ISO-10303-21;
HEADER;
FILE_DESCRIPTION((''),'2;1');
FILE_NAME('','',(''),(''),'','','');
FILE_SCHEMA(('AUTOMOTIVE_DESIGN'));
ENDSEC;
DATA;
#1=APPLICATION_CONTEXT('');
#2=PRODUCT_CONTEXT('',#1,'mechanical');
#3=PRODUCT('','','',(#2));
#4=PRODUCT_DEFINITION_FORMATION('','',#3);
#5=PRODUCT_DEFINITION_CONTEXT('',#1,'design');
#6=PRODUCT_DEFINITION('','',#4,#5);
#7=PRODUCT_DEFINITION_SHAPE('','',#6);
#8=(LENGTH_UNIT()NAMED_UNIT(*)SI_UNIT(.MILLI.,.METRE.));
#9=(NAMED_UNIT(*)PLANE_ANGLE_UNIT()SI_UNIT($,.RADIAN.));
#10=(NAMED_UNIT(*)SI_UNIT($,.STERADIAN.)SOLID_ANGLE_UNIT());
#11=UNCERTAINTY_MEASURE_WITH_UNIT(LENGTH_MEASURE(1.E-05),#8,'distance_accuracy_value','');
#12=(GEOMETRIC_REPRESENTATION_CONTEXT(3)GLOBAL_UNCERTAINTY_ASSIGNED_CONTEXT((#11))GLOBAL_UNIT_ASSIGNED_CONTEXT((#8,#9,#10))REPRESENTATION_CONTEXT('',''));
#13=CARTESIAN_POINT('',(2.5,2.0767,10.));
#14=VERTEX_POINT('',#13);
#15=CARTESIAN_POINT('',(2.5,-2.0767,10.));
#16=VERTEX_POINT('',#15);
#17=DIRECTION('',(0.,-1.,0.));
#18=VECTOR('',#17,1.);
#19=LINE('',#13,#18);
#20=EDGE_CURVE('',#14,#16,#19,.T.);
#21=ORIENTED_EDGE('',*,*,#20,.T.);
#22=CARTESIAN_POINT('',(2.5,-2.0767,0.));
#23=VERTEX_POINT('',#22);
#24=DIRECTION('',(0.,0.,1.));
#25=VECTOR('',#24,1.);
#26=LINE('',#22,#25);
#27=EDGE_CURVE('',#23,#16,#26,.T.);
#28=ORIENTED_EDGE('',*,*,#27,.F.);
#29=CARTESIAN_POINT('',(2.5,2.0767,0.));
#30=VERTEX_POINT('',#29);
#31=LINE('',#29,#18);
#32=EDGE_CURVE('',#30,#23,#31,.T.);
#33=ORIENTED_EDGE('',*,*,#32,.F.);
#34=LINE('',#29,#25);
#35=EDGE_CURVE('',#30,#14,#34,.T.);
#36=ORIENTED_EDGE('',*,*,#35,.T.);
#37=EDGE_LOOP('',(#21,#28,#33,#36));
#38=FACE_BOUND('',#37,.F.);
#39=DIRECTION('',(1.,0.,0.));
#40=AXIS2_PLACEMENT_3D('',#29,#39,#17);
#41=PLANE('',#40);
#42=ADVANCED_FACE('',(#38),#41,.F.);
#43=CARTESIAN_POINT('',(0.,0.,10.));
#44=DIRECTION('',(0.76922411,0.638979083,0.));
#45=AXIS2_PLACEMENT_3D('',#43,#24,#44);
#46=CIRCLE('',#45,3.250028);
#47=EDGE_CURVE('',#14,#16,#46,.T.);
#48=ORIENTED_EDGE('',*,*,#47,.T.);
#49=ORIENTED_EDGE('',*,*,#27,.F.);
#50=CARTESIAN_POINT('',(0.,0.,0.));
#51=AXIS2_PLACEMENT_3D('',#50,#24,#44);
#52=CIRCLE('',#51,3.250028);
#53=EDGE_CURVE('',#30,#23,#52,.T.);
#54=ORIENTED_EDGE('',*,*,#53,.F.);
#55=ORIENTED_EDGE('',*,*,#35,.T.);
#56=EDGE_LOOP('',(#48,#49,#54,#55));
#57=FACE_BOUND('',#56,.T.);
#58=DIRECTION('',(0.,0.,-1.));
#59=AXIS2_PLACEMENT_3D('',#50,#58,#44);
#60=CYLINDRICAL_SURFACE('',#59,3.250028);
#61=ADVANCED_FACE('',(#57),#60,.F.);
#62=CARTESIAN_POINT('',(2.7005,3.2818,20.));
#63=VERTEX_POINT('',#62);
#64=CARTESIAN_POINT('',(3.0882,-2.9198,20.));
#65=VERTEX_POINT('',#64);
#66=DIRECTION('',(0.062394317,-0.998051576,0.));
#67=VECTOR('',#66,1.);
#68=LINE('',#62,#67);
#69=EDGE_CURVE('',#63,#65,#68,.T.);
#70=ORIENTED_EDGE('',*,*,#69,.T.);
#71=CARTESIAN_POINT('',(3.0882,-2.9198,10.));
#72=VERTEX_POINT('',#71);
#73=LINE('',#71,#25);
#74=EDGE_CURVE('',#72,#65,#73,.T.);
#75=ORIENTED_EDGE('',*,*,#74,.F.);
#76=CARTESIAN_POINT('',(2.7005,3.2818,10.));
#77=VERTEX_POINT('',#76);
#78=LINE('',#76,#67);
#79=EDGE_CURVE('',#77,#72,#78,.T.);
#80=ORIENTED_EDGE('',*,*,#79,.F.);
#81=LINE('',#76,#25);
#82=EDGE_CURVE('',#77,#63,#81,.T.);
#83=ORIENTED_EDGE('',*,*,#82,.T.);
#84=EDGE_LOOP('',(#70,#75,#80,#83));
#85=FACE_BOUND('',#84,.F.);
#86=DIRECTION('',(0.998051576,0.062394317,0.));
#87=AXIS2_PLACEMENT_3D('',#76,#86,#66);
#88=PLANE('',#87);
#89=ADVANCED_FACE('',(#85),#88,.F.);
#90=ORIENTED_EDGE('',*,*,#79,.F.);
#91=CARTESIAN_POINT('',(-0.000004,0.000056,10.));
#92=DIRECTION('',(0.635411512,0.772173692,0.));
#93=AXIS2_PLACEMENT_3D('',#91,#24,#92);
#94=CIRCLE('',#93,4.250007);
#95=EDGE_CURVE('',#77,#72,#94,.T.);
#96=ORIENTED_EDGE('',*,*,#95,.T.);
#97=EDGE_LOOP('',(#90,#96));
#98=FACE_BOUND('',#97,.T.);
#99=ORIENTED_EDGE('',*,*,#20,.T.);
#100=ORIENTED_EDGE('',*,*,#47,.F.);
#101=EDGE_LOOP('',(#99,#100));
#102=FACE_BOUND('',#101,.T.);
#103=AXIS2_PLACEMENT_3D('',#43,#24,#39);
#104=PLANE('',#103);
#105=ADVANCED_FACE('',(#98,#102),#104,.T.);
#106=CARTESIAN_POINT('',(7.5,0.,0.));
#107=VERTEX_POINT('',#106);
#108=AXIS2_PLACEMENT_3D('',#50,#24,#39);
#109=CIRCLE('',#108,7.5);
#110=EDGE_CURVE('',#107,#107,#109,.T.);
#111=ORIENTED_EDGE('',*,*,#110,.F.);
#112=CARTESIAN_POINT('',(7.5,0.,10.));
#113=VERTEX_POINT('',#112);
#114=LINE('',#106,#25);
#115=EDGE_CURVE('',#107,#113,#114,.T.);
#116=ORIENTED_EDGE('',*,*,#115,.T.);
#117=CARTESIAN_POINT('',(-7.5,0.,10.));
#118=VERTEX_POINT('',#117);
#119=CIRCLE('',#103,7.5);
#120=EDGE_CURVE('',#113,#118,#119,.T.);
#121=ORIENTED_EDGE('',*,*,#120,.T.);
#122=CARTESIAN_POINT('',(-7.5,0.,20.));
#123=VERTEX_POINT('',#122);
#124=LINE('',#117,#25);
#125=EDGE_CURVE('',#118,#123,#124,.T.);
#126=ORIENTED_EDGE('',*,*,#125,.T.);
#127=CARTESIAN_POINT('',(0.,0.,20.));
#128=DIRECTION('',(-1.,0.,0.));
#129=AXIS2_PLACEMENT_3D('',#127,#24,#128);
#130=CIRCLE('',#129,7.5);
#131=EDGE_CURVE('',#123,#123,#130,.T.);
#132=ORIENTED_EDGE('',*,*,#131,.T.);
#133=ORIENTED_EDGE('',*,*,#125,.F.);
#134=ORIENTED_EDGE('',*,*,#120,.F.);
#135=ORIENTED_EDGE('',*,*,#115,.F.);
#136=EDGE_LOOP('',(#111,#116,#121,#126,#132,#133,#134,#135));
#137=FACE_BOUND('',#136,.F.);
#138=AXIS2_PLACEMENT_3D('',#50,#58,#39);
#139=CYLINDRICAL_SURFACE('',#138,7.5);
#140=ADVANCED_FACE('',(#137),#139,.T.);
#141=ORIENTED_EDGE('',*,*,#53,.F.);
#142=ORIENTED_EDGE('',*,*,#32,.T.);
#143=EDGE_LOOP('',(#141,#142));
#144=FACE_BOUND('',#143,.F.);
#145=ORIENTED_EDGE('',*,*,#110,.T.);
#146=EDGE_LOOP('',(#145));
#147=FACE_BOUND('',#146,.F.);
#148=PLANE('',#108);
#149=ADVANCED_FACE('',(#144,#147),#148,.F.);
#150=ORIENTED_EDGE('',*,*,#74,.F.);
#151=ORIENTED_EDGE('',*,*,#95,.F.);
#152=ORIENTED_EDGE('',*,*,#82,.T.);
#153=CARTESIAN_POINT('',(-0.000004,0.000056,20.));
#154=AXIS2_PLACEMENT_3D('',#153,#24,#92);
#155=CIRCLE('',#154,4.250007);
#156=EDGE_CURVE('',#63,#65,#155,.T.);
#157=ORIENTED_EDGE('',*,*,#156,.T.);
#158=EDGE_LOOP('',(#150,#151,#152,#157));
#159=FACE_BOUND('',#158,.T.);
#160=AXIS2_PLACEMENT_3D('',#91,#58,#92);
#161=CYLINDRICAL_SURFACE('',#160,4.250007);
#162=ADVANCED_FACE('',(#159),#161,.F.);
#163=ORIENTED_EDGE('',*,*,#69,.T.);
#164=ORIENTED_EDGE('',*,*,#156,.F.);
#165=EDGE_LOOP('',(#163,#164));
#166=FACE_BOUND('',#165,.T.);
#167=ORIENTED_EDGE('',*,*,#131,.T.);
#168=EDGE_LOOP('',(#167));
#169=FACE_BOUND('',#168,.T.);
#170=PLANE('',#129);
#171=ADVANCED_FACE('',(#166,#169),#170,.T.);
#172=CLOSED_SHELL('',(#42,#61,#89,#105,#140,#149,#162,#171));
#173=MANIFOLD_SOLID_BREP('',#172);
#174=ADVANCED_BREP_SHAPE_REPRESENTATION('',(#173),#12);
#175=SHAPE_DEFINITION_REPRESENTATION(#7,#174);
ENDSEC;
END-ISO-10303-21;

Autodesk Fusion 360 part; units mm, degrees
sketch "Sketch5" plane through (0, 0, 0) normal (0, 0, 1) x (1, 0, 0)
  circle A0 centre (0, 0) radius 7.5
  line L0 (2.5, 2.0767) -> (2.5, -2.0767)
  arc A1 (2.5, 2.0767) -> (2.5, -2.0767) centre (0, 0) ccw
  dimension "d22" = 15
  dimension "d29" = 6.5
  dimension "d30" = 2.5
extrude "Extrude5" add sketch "Sketch5" along normal blind 10
sketch "Sketch6" plane through (0, 0, 10) normal (0, 0, 1) x (-1, 0, 0)
  circle A0 centre (0, 0) radius 7.5
  circle A1 centre (0, 0) radius 7.5
  arc A2 (-2.5, -2.0767) -> (-2.5, 2.0767) centre (0, 0) ccw
  line L0 (-2.5, -2.0767) -> (-2.5, 2.0767)
  line L1 (-2.7005, -3.2818) -> (-3.0882, 2.9198)
  arc A3 (-2.7005, -3.2818) -> (-3.0882, 2.9198) centre (0, 0) ccw
  dimension "d31" = 8.5
  dimension "d32" = 2.9
extrude "Extrude6" add sketch "Sketch6" along normal blind 10 contours A0 A1
